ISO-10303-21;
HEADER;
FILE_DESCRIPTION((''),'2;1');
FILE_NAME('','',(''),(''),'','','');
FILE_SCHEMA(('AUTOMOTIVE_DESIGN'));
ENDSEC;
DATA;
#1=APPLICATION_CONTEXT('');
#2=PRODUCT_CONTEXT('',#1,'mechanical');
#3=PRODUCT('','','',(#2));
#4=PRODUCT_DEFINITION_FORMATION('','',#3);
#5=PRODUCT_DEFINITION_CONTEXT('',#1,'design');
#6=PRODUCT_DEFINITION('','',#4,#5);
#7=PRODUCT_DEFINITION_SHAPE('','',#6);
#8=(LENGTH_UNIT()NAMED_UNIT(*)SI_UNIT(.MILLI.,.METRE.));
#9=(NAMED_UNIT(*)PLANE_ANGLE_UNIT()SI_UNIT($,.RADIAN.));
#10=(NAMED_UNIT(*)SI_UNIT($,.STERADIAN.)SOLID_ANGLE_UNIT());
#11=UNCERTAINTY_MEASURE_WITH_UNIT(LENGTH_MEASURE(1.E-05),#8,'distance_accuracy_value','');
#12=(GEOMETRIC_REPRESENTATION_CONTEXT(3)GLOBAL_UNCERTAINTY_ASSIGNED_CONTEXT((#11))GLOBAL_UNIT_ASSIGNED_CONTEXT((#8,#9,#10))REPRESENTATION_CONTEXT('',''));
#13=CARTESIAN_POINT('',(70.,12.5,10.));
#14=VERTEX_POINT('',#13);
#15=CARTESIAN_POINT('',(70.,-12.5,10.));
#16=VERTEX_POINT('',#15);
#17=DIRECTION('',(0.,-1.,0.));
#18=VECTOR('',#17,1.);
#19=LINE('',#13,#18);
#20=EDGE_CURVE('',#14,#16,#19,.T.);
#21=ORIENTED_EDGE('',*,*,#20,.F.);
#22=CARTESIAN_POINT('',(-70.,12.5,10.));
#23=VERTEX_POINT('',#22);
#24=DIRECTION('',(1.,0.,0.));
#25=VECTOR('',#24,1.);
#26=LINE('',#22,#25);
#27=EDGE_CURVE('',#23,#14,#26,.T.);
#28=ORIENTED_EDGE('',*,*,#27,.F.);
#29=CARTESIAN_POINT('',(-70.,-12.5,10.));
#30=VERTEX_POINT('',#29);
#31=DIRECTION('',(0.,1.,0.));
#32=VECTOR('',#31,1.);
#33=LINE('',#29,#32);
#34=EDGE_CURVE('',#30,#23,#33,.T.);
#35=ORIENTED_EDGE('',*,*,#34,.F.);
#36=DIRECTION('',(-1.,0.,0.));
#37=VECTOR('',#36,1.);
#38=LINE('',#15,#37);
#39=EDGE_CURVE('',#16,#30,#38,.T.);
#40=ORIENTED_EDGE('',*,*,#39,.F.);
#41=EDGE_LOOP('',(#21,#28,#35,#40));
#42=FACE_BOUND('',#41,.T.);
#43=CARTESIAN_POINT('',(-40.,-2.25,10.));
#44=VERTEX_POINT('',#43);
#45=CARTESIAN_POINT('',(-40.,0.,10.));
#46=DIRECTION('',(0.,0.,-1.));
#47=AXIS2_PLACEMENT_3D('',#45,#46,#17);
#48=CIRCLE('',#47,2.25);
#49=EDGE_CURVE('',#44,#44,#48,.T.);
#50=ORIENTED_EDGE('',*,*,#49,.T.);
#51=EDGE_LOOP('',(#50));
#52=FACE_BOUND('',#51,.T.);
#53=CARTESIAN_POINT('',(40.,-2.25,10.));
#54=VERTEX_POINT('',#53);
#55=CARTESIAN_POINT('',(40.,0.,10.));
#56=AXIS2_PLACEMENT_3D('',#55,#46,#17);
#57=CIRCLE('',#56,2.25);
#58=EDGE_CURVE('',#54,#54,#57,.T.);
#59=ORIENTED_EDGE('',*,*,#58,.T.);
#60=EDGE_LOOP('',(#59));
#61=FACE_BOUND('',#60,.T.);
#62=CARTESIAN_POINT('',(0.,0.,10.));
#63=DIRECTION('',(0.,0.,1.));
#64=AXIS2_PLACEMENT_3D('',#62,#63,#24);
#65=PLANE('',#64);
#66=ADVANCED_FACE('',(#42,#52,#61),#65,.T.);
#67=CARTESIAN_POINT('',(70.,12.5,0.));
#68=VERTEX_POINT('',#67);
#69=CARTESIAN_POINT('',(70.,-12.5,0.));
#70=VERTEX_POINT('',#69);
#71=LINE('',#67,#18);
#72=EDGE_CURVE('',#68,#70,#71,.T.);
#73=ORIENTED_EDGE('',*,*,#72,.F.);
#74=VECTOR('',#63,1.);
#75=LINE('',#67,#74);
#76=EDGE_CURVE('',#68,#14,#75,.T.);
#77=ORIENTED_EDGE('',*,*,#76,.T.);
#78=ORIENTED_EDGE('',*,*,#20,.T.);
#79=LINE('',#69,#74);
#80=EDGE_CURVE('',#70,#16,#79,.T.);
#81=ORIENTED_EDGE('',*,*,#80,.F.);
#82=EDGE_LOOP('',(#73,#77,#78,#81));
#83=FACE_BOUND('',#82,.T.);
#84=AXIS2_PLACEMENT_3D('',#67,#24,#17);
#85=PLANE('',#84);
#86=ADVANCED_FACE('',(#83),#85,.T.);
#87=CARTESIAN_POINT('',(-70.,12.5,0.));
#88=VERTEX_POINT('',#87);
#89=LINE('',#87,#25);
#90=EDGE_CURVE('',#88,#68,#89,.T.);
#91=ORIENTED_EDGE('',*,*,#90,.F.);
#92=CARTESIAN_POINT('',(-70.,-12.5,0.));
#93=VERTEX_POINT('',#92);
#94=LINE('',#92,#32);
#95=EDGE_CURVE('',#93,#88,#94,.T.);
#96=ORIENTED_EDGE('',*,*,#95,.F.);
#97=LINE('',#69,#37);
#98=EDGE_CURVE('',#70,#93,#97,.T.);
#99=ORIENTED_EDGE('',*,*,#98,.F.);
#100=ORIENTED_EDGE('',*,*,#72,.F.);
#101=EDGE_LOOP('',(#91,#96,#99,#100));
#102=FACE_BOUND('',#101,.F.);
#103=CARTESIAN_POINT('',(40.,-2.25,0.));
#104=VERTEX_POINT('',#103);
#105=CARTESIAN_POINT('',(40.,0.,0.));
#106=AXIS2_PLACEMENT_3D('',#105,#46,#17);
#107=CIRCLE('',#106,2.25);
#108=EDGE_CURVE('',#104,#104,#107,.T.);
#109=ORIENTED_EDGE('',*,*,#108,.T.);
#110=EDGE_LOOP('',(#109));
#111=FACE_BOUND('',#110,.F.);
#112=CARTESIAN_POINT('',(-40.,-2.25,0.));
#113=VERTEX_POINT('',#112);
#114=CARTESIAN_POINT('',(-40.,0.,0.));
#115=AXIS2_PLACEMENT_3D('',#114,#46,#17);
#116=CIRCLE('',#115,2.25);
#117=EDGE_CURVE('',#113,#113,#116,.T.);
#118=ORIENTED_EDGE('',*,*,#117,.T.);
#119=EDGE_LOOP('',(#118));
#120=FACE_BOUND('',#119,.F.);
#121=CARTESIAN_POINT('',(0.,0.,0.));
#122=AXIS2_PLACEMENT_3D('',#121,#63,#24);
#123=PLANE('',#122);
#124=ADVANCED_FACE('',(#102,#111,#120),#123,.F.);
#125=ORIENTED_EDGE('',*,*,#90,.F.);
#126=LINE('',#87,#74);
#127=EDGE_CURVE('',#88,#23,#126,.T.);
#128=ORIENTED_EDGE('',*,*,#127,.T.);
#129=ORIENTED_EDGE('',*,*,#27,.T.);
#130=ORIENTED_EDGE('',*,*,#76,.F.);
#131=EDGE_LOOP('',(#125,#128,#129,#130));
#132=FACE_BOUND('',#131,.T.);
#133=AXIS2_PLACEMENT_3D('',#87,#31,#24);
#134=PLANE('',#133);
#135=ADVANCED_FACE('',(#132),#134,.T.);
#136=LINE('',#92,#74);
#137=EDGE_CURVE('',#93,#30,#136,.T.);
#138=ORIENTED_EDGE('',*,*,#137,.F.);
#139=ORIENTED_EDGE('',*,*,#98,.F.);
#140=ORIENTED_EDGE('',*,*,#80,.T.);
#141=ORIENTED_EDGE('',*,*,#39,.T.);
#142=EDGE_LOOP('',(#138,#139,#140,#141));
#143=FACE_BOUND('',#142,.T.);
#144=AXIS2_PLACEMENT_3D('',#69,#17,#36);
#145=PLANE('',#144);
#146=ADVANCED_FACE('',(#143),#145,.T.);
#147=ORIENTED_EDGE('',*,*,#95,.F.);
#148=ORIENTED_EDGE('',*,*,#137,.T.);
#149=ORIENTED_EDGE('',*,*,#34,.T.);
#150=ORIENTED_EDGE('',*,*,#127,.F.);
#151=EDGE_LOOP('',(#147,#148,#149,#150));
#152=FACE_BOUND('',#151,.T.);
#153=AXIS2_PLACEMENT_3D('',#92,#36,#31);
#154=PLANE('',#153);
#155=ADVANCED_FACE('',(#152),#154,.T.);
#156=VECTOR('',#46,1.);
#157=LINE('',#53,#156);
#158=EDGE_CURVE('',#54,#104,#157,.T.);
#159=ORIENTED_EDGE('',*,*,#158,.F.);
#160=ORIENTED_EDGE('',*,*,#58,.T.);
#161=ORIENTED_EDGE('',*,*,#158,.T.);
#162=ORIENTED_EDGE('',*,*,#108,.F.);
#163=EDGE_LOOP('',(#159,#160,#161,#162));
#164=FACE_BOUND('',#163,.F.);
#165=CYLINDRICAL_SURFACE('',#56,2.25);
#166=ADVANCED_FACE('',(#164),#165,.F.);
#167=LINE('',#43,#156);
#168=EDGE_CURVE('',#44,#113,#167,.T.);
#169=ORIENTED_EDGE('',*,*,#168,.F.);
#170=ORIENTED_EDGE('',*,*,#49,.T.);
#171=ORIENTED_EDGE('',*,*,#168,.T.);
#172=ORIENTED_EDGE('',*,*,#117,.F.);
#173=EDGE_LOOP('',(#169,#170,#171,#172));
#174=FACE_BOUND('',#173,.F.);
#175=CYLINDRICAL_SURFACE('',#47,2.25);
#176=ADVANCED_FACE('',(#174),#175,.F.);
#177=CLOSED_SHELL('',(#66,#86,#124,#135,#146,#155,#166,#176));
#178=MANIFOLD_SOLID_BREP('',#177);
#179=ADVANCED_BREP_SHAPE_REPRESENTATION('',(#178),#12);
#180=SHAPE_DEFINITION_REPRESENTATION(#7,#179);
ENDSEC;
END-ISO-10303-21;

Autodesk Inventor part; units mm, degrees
ref_plane "YZ Plane" through (0, 0, 0) normal (1, 0, 0) x (0, 1, 0)
ref_plane "XZ Plane" through (0, 0, 0) normal (0, 1, 0) x (-1, 0, 0)
ref_plane "XY Plane" through (0, 0, 0) normal (0, 0, 1) x (1, 0, 0)
sketch "Sketch1" plane through (0, 0, 0) normal (0, 0, 1) x (1, 0, 0)
  line L0 (-70, 12.5) -> (70, 12.5)
  line L1 (70, 12.5) -> (70, -12.5)
  line L2 (70, -12.5) -> (-70, -12.5)
  line L3 (-70, -12.5) -> (-70, 12.5)
  point P0 (0, 0)
  dimension "d0" = 140
  dimension "d1" = 25
  dimension "d2" = 70
  dimension "d3" = 12.5
extrude "Extrusion1" add sketch "Sketch1" along normal blind 10
sketch "Sketch2" plane through (0, 0, 10) normal (0, 0, 1) x (1, 0, 0)
  point P0 (0, 0)
  point P1 (-40, 0)
  point P2 (40, 0)
  dimension "d6" = 80
  dimension "d7" = 40
hole "Hole1" at (-40, 0, 10) at (40, 0, 10) direction (0, 0, -1) diameter 4.5 end through all clearance for "Countersunk Flat Head Screw ISO 2009/7046" size "M4" standard "ISO"
equation "\"d2\" = 0.5 * d0"
equation "\"d3\" = 0.5 * d1"
equation "\"d7\" = 0.5 * d6"
properties part number "xyStagePostAttach"
